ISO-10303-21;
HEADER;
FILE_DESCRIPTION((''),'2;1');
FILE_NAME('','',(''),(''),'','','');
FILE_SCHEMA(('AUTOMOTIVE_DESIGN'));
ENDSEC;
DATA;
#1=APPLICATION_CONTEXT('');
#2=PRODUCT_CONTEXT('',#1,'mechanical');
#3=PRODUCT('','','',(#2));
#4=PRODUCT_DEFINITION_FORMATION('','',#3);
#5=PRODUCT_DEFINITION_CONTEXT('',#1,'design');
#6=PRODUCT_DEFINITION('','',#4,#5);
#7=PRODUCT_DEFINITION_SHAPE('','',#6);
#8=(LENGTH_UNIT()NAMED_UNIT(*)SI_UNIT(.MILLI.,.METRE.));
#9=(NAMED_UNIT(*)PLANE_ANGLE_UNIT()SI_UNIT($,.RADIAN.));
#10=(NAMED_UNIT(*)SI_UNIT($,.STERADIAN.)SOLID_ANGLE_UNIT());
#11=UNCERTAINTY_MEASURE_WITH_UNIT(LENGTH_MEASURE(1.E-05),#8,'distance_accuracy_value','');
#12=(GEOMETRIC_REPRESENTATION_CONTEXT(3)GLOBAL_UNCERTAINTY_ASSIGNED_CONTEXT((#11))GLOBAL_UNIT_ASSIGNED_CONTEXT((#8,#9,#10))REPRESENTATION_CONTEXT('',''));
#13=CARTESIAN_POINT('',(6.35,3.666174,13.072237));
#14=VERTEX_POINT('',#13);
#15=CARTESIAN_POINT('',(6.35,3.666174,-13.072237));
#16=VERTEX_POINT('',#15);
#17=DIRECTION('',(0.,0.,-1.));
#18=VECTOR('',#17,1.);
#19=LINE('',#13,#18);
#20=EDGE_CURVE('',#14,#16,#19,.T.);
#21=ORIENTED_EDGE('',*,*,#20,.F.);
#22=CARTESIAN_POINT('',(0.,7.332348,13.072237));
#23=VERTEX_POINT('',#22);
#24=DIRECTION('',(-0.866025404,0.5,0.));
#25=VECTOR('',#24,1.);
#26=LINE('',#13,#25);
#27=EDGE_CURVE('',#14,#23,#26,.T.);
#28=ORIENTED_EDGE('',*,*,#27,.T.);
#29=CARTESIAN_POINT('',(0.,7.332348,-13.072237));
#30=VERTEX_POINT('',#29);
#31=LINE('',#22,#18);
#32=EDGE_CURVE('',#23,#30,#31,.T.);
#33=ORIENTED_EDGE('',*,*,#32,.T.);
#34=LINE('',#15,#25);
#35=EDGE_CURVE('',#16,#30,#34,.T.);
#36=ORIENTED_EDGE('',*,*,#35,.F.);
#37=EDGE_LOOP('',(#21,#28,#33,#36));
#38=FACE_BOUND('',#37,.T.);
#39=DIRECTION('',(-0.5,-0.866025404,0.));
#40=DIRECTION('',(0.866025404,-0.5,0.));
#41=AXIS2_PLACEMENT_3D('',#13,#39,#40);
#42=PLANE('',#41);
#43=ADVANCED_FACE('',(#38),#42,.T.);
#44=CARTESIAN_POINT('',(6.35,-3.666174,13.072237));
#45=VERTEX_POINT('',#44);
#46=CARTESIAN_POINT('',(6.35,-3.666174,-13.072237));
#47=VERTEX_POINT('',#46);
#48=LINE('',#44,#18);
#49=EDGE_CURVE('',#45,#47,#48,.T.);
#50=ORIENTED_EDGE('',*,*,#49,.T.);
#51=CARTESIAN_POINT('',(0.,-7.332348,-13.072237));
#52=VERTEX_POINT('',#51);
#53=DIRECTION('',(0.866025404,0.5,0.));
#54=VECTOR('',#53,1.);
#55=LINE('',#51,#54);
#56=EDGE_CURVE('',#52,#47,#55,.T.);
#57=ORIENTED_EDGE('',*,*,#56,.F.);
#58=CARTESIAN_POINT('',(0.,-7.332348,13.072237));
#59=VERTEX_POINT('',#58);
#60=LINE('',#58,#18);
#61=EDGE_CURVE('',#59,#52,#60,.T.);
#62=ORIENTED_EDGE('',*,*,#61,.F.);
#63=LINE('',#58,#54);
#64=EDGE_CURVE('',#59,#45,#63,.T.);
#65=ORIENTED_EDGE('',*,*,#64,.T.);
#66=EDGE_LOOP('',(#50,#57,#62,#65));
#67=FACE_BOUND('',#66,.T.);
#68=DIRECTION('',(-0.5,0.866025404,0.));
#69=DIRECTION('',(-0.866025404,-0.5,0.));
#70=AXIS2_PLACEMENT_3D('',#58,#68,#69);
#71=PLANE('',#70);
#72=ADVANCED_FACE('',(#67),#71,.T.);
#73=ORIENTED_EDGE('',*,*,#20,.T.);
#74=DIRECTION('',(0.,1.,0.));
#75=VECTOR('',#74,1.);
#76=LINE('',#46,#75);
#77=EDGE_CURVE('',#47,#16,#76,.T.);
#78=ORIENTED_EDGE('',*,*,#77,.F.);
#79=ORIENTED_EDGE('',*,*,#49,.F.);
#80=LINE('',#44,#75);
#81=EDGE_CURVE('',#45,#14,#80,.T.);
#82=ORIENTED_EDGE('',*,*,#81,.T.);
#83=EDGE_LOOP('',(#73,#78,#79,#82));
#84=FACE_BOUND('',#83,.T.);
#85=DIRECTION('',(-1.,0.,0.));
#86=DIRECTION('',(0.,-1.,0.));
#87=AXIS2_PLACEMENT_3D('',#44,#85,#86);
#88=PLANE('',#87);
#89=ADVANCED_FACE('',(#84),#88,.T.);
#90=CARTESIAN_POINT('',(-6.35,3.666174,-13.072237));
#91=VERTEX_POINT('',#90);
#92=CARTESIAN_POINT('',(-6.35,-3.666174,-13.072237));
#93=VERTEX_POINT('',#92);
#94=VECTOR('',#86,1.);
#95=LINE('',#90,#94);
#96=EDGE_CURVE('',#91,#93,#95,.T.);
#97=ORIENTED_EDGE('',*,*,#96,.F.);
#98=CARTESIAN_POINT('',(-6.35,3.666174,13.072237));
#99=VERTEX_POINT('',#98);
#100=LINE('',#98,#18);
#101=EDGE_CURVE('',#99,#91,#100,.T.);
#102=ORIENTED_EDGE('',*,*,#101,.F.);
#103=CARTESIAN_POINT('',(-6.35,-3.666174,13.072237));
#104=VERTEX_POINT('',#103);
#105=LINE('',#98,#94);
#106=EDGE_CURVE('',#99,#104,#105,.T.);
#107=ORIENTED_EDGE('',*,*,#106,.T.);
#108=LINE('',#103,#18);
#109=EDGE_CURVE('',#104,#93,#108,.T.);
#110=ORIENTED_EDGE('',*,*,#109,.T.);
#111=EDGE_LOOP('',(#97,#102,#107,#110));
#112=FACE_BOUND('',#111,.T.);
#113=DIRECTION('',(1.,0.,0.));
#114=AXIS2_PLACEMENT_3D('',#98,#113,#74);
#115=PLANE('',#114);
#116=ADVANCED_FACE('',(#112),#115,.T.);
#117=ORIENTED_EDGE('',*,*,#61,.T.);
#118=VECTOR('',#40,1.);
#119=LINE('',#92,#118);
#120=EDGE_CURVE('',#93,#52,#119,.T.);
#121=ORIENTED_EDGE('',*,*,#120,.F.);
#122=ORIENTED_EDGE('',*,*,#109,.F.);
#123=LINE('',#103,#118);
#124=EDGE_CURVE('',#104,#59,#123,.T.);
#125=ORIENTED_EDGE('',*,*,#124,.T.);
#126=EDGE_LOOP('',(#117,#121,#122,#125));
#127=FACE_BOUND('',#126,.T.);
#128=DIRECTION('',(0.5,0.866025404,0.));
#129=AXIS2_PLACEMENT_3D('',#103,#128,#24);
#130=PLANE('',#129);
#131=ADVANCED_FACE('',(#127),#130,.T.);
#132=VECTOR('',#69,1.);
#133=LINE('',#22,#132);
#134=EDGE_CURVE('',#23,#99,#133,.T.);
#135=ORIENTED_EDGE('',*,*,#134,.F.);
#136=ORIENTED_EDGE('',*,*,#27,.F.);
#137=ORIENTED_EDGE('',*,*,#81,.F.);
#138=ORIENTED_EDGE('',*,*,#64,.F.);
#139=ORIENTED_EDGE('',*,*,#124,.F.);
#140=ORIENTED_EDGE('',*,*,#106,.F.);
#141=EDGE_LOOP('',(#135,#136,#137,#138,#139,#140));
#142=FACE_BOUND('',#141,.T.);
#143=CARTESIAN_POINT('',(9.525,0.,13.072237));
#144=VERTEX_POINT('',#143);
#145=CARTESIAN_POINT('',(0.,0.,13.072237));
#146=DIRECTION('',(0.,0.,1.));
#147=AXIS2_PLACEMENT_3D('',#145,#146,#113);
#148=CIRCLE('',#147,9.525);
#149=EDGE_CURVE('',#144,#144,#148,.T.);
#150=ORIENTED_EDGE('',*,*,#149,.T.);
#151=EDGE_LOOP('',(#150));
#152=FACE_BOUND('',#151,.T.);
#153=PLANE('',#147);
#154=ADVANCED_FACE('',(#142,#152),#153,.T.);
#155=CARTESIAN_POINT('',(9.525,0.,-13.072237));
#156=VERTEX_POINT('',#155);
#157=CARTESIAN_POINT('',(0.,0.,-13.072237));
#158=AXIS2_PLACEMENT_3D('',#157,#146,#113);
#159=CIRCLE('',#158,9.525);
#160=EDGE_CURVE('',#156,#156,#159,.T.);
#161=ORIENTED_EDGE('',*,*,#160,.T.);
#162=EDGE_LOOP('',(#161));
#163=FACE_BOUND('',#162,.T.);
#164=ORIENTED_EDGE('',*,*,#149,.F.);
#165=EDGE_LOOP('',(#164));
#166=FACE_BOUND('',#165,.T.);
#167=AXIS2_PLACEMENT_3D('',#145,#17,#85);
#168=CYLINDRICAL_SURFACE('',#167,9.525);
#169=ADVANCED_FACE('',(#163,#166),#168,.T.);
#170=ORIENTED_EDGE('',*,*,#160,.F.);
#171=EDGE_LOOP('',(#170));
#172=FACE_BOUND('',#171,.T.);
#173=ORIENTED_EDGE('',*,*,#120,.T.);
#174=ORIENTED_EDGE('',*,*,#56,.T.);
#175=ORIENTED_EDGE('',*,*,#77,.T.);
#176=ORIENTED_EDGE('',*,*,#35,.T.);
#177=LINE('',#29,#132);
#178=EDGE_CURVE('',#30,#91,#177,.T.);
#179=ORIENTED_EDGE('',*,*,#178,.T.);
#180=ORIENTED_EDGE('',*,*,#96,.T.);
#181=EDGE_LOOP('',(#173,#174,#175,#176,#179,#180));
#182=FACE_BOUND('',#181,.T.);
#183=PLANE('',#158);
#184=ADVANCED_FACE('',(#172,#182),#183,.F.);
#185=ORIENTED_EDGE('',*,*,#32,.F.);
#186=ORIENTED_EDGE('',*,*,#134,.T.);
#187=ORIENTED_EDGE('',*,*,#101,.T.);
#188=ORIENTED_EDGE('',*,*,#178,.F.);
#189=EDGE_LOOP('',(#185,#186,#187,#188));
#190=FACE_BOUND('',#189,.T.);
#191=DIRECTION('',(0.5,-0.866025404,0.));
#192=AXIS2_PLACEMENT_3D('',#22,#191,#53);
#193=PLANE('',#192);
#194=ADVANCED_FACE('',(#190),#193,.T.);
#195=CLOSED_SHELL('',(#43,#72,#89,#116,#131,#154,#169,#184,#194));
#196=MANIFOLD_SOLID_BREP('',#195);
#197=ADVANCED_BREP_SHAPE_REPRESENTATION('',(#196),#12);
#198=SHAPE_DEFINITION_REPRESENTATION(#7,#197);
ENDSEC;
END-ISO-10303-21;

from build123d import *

# Parameters (mm, degrees)
SKETCH1_R           = 9.525
BOSS_EXTRUDE1_DEPTH = 13.072237


with BuildPart() as part:
    # Sketch1 → Boss-Extrude1 (new, symmetric)
    with BuildSketch(Plane.XY):
        Circle(SKETCH1_R)
        Polygon((0, 7.332348419), (-6.35, 3.666174209), (-6.35, -3.666174209), (0, -7.332348419), (6.35, -3.666174209), (6.35, 3.666174209), align=None, mode=Mode.SUBTRACT)
    extrude(amount=BOSS_EXTRUDE1_DEPTH, both=True)


solid = part.part
